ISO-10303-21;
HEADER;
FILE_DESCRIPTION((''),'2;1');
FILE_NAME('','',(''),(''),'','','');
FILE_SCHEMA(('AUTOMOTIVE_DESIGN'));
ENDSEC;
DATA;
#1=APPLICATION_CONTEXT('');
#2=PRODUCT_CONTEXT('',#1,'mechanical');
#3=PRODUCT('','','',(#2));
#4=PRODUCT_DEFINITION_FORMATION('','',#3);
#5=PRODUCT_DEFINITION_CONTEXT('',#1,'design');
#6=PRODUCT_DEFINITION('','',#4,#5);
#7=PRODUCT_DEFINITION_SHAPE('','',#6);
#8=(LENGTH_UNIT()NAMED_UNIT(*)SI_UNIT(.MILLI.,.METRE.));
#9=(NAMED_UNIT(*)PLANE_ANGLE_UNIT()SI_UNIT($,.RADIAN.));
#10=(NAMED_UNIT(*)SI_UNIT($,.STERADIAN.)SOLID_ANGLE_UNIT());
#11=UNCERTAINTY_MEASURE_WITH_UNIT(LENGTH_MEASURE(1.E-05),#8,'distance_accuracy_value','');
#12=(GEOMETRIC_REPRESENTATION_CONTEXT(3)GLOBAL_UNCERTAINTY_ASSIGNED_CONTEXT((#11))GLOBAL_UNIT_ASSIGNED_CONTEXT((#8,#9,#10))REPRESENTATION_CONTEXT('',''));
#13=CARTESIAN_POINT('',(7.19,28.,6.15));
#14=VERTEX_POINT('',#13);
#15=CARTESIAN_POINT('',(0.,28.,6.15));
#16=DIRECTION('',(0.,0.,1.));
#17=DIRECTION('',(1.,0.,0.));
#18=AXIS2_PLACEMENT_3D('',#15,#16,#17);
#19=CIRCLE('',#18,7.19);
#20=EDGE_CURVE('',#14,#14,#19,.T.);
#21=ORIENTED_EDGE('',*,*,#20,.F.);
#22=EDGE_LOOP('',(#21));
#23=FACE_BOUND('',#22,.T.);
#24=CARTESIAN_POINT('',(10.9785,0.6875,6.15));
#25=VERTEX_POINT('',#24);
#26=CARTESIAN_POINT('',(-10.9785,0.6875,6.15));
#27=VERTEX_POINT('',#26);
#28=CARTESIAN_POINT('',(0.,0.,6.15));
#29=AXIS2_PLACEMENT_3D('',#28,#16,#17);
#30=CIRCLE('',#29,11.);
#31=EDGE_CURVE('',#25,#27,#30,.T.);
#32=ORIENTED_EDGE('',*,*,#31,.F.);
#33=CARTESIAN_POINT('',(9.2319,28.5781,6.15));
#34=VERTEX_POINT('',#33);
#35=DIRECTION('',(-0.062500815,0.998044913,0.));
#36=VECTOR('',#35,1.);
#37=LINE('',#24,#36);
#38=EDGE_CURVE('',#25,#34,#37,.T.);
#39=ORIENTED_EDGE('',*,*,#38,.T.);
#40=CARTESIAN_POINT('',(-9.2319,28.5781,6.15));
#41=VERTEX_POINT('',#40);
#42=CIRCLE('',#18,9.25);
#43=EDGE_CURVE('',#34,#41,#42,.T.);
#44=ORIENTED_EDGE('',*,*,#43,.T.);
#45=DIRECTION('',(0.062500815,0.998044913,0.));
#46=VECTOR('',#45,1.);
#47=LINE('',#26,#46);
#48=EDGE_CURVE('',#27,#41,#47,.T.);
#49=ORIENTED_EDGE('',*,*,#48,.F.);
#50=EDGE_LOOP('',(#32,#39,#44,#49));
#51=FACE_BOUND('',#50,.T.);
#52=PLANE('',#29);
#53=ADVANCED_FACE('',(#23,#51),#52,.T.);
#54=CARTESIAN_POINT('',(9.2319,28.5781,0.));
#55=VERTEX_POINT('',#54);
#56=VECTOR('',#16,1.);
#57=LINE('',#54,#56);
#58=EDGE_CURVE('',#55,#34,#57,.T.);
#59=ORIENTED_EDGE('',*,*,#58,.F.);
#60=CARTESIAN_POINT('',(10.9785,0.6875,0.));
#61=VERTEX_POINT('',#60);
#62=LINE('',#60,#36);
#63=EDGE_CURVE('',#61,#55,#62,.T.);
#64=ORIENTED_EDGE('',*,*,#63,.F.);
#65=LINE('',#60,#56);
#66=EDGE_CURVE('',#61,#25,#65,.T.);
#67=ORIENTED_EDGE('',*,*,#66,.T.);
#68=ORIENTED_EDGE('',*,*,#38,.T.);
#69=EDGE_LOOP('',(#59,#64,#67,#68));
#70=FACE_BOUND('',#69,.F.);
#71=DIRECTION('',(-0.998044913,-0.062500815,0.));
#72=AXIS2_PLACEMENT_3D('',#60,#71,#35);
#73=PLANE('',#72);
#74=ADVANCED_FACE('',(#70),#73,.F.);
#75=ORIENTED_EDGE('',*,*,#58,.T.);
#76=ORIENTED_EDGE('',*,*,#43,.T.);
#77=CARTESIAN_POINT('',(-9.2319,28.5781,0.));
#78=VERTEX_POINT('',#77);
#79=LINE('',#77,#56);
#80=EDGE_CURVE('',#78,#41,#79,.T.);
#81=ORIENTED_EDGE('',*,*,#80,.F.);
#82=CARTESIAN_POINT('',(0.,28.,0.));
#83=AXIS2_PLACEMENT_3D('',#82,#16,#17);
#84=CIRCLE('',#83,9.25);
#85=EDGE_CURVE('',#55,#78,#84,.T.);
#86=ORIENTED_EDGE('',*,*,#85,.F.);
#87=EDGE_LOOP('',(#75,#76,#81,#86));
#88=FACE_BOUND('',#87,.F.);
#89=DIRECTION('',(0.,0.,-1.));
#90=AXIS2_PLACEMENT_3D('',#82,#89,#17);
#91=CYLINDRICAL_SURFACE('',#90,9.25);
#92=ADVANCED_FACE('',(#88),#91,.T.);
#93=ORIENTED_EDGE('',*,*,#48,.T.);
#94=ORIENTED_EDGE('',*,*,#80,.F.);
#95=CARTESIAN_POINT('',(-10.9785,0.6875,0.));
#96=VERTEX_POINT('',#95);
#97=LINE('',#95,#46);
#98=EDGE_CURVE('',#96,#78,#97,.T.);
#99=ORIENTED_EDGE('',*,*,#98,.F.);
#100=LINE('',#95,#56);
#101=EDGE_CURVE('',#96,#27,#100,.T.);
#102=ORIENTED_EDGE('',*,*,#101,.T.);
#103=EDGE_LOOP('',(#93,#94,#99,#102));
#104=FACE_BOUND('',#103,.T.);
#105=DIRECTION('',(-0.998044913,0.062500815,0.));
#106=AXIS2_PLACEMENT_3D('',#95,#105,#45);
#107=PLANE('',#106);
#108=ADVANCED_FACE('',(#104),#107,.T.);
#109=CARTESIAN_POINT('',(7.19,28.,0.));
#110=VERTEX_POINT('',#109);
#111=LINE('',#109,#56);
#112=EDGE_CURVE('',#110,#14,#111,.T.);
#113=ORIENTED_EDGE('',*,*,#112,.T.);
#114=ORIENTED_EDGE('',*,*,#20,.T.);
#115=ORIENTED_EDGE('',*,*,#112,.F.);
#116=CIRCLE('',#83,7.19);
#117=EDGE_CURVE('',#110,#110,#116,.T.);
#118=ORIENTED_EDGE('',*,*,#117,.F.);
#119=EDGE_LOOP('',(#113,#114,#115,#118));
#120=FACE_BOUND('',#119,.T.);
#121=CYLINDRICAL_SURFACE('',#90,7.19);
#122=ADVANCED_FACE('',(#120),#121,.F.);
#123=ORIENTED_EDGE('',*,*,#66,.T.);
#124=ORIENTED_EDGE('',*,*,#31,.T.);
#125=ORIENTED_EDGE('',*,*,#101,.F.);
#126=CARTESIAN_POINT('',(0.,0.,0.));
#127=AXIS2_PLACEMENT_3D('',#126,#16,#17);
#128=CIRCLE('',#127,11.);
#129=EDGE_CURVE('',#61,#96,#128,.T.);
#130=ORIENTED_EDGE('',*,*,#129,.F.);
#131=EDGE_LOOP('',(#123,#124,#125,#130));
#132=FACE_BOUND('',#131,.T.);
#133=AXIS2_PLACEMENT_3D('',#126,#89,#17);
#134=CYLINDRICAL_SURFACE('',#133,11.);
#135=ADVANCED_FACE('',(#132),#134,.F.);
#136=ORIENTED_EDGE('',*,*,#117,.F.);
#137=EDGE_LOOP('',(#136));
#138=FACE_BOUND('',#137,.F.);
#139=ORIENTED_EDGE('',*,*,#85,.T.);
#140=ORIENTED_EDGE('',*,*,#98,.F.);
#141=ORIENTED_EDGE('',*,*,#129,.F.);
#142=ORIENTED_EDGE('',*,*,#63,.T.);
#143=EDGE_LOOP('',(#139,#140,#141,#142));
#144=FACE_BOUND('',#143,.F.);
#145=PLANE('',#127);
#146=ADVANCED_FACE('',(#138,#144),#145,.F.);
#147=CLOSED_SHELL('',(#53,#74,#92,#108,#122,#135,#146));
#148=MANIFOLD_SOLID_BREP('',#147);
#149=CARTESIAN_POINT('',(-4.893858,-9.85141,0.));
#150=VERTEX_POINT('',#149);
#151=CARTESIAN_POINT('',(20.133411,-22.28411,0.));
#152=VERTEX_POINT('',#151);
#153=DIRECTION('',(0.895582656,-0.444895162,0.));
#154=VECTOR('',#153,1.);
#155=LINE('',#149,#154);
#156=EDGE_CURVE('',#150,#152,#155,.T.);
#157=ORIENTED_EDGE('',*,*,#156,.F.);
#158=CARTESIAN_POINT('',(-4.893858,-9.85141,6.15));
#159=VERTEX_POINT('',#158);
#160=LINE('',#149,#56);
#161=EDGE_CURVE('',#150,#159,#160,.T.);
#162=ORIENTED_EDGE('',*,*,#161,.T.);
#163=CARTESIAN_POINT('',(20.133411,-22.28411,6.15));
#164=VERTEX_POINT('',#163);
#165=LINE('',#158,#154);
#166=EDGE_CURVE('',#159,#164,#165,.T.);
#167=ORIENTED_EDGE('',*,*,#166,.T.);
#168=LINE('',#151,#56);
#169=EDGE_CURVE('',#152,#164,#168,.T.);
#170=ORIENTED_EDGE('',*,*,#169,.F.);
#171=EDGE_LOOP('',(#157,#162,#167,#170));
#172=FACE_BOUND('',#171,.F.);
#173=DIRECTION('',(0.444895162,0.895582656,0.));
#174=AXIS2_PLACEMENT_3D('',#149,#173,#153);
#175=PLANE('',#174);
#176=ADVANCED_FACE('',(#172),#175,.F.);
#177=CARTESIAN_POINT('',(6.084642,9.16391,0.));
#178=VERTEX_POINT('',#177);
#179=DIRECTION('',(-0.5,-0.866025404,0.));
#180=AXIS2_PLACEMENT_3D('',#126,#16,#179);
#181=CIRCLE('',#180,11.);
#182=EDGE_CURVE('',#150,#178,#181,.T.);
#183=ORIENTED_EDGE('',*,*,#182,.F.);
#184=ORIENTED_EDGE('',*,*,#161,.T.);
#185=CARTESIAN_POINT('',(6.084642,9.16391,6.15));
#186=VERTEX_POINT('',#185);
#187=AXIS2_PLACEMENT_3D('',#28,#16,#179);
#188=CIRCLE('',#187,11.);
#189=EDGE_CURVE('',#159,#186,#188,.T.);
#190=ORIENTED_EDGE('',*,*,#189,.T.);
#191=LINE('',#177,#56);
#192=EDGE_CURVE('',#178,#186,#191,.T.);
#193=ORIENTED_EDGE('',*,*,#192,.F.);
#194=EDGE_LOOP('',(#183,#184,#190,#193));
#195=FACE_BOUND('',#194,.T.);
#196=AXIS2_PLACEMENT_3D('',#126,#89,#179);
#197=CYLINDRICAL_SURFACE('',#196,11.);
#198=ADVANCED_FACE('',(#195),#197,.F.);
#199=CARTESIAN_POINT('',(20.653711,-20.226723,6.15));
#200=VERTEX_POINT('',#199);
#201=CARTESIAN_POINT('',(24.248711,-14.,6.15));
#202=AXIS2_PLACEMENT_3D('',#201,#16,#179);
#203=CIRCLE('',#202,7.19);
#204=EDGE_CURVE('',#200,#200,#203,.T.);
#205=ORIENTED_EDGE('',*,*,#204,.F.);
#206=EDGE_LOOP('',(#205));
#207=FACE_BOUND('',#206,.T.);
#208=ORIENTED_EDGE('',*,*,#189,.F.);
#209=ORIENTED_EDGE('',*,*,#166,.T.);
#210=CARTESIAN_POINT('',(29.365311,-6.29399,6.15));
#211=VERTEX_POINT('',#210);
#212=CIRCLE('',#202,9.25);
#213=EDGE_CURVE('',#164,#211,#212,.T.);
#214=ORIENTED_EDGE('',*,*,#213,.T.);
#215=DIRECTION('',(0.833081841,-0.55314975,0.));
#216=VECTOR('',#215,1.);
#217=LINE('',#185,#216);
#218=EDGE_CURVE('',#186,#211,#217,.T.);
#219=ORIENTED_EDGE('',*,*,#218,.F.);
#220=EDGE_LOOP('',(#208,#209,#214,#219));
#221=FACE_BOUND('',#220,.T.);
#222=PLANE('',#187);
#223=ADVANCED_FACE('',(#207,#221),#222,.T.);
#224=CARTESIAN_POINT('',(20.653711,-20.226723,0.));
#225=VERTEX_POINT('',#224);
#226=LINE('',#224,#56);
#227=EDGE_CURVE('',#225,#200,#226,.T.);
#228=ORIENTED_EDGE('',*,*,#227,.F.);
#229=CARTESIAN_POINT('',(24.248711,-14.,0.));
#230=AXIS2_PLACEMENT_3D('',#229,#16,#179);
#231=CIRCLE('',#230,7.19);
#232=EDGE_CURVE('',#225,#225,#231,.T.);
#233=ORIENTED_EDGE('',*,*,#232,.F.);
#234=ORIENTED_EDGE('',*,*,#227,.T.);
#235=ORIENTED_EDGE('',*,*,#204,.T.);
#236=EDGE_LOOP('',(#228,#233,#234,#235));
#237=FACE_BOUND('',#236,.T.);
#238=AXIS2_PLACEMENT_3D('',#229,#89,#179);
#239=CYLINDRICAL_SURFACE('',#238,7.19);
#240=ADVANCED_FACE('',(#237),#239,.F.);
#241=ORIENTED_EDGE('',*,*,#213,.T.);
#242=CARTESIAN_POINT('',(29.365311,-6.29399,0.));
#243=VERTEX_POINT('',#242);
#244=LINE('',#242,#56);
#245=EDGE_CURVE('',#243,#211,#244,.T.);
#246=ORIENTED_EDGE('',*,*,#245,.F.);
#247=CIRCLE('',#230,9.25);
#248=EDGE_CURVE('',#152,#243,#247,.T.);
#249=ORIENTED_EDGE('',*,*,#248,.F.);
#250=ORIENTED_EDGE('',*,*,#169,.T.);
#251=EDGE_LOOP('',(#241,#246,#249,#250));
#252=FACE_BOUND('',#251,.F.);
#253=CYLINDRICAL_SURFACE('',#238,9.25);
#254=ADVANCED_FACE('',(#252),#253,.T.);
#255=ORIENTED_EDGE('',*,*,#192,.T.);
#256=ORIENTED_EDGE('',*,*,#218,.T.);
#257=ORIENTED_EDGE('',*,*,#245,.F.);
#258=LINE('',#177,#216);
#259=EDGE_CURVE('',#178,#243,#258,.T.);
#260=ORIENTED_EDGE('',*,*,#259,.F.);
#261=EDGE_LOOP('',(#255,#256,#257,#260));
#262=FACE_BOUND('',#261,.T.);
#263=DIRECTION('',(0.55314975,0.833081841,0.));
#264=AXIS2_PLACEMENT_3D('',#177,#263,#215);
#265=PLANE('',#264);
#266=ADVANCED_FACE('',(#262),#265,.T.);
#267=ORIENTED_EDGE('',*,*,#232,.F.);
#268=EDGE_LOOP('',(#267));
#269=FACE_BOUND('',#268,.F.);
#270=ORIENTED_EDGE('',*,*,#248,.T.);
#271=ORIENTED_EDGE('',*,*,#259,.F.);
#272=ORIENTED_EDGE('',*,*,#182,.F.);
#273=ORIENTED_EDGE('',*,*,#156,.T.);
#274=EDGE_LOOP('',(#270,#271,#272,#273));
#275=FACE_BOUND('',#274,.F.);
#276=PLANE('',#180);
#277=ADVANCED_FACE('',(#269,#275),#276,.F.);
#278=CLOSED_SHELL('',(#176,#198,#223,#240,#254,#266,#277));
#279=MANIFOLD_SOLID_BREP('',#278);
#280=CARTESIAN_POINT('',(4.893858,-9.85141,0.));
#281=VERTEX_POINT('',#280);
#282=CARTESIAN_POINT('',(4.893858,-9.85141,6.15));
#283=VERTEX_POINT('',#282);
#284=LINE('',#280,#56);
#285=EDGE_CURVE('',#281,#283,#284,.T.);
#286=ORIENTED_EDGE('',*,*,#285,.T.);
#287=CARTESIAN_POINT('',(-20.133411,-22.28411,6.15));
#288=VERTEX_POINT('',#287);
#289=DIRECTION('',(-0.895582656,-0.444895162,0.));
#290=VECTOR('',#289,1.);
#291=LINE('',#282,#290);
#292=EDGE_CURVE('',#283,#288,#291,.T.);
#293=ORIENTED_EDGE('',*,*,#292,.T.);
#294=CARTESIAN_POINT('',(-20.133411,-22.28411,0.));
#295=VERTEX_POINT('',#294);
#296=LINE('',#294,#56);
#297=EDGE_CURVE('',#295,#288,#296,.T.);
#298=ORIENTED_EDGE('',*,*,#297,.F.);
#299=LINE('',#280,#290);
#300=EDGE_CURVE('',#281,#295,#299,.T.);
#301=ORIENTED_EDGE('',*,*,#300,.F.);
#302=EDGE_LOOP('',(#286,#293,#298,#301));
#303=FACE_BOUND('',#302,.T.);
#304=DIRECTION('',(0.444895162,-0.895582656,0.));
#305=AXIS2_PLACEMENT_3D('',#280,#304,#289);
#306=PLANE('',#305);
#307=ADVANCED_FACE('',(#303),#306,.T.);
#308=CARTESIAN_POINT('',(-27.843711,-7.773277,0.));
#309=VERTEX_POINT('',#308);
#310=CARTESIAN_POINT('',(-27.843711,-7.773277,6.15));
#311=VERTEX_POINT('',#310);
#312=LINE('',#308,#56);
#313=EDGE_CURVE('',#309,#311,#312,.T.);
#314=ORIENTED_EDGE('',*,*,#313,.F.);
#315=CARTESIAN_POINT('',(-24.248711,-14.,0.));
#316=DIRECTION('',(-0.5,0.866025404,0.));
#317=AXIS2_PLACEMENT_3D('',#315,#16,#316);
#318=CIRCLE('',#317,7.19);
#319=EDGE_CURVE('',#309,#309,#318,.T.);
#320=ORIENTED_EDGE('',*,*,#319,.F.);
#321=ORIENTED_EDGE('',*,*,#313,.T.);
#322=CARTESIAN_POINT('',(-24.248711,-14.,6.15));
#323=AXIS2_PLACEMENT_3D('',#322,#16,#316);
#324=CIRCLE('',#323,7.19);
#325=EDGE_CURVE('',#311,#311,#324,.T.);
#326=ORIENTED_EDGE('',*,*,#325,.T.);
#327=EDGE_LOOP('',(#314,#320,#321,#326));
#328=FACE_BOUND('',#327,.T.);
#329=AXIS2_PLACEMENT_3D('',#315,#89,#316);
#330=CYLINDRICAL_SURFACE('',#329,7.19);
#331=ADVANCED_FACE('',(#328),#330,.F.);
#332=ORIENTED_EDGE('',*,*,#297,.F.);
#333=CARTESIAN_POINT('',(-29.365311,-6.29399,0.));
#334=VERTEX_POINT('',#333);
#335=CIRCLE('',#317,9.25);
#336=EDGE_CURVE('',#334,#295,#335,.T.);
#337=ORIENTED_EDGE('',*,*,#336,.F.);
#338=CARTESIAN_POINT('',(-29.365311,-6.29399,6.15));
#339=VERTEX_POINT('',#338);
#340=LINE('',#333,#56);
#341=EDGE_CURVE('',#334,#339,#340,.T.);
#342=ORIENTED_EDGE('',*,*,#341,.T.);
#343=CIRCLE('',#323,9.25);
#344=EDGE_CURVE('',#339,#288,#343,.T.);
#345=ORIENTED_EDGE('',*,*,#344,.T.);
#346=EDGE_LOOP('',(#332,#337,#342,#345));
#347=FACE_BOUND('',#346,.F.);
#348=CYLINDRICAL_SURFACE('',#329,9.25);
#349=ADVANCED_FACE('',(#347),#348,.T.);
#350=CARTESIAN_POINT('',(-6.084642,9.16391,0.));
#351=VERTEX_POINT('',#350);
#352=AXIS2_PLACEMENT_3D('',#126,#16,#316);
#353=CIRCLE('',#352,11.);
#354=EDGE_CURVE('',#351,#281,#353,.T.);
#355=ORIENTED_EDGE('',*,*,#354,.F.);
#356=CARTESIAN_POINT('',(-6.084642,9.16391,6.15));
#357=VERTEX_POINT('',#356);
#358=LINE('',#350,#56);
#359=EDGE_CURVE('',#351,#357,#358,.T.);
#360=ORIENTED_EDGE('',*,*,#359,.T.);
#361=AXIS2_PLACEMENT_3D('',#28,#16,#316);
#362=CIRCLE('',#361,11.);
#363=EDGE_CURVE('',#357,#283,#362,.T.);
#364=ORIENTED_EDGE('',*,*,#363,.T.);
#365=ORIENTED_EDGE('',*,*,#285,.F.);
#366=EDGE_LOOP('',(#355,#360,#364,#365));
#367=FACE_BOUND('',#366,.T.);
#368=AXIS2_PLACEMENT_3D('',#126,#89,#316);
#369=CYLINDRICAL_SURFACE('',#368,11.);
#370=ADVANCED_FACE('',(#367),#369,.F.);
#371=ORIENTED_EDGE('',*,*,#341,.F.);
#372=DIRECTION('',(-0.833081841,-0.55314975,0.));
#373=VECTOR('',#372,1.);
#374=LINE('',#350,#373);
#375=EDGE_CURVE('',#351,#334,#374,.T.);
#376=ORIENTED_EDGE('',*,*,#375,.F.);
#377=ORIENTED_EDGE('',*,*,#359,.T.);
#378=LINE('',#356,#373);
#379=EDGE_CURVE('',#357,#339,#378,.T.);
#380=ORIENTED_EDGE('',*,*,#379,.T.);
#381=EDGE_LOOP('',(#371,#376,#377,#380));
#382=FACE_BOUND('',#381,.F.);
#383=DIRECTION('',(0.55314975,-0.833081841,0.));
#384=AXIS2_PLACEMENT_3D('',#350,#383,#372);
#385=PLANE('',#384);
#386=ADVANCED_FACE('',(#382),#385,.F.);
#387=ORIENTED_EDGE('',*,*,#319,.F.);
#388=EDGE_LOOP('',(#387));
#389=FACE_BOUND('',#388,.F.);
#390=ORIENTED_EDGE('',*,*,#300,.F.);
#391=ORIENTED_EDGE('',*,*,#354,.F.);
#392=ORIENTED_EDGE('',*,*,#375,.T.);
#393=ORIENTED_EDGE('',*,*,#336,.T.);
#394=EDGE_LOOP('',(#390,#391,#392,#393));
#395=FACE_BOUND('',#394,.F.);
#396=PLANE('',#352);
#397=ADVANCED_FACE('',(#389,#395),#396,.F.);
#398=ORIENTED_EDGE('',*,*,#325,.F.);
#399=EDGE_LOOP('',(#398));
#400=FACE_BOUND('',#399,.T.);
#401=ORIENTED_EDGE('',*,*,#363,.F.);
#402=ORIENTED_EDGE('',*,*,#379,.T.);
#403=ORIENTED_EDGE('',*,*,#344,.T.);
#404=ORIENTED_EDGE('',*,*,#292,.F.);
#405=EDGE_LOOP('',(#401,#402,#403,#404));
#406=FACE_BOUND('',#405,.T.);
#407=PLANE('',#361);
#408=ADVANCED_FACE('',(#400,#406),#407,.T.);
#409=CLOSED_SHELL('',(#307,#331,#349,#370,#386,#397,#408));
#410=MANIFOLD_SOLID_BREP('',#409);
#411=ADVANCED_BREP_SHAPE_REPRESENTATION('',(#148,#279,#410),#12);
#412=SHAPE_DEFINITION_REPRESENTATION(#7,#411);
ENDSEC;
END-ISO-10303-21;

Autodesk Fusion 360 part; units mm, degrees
sketch "Sketch1" plane through (0, 0, 0) normal (0, 0, 1) x (1, 0, 0)
  circle A0 centre (0, 0) radius 11
  circle A1 centre (0, 28) radius 7.19
  circle A2 centre (0, 28) radius 9.25
  line L0 (-10.9785, 0.6875) -> (-9.2319, 28.5781)
  line L1 (10.9785, 0.6875) -> (9.2319, 28.5781)
  dimension "d1" = 22
  dimension "d3" = 14.38
  dimension "d5" = 18.5
sketch "Sketch3" plane through (0, 0, 0) normal (0, 0, 1) x (1, 0, 0)
  line L0 (-0.0645, 35.1897) -> (-6.2587, 31.539)
  line L1 (-6.2587, 31.539) -> (-6.1942, 24.3493)
  line L2 (-6.1942, 24.3493) -> (0.0645, 20.8103)
  line L3 (0.0645, 20.8103) -> (6.2587, 24.461)
  line L4 (6.2587, 24.461) -> (6.1942, 31.6507)
  line L5 (6.1942, 31.6507) -> (-0.0645, 35.1897)
  point P0 (0, 28)
  dimension "d7" = 7.19
extrude "Extrude1" add sketch "Sketch1" along normal blind 6.15 contours A0 A2 L0 L1 | A2 makes body 1
pattern_circular "C-Pattern1" count 3 over 360 about axis through (0, 0, 1.75) along (0, 0, 1) of bodies 1 makes body 2 at (-13.2292, -17.0879, 0) makes body 3 at (21.4131, -2.9129, 0)
sketch "Sketch2" plane through (0, 0, 0) normal (0, 0, 1) x (1, 0, 0)
  line L0 (6.1908, 38.6565) -> (-0.0712, 42.1896)
  line L1 (-0.0712, 42.1896) -> (-6.262, 38.5331)
  line L2 (-6.262, 38.5331) -> (-6.1908, 31.3435)
  line L3 (-6.1908, 31.3435) -> (0.0712, 27.8104)
  line L4 (0.0712, 27.8104) -> (6.262, 31.4669)
  line L5 (6.262, 31.4669) -> (6.1908, 38.6565)
  point P0 (0, 35)
  dimension "d6" = 7.19
